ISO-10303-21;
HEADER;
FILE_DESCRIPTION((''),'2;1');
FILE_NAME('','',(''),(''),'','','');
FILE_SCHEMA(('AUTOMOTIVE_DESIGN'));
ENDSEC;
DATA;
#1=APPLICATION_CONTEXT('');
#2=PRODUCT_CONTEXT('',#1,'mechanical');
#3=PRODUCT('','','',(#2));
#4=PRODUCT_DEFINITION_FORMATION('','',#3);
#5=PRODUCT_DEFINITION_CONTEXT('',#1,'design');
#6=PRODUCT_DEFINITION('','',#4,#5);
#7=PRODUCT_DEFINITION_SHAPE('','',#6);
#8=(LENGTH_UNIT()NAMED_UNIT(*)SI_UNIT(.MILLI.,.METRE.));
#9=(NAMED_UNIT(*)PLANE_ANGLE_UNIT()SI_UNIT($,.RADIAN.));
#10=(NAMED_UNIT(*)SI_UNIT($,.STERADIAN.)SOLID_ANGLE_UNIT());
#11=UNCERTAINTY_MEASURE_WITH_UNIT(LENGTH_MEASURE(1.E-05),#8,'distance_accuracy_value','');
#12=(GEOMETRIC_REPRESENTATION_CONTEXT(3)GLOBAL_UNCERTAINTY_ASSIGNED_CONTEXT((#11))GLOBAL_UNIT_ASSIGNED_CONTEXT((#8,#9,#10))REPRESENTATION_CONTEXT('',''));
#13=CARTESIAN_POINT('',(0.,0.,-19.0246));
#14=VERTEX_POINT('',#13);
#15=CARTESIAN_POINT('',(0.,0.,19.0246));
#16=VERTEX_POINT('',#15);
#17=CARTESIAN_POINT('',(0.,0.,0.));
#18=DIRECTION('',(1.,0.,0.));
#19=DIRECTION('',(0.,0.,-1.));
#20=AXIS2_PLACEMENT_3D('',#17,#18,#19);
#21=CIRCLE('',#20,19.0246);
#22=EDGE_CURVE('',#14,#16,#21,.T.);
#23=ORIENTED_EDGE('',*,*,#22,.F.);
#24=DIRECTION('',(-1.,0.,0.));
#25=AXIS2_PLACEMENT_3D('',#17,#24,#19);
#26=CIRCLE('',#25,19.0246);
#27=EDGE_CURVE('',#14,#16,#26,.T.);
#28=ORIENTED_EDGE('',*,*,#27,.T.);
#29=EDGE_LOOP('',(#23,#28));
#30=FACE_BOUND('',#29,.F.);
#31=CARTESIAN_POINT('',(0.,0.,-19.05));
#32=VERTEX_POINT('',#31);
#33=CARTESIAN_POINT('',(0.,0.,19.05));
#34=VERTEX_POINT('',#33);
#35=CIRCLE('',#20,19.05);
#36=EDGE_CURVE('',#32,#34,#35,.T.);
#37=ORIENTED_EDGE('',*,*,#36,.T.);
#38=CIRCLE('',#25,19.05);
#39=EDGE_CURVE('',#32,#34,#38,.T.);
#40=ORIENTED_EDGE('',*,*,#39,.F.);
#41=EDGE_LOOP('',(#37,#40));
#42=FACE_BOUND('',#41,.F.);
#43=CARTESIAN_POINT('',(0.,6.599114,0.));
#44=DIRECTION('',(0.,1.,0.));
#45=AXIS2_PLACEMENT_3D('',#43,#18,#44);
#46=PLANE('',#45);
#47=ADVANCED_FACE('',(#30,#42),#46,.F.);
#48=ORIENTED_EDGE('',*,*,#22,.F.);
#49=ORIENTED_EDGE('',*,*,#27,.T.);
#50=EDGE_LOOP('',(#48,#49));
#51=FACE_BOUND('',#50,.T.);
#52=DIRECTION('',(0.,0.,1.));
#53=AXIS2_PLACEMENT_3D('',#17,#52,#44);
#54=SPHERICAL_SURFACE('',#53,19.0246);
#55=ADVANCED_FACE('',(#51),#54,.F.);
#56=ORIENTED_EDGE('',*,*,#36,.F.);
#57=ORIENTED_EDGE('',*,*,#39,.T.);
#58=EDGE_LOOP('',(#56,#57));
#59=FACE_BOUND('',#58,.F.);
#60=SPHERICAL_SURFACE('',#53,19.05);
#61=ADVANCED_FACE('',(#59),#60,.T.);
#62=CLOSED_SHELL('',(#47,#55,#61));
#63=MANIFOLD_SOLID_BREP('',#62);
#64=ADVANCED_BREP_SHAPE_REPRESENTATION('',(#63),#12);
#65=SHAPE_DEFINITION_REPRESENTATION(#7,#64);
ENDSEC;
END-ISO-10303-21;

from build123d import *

# Parameters (mm, degrees)
F1_ANGLE = 180
F2_T     = -0.0254


with BuildPart() as f1:
    # F0 (on Right) → F1 (revolve)
    with BuildSketch(Plane.YZ):
        with BuildLine():
            Line((0, 19.05), (0, -19.05))
            ThreePointArc((0, -19.05), (19.05, 0), (0, 19.05))
        make_face()
    revolve(axis=Axis((0, 0, 0), (0, 0, -1)), revolution_arc=F1_ANGLE)

    # F2
    f2_openings = [f1.faces().sort_by_distance(p)[0] for p in [
        (0, 0, 0),
    ]]
    offset(amount=F2_T, openings=f2_openings)


solid = f1.part
